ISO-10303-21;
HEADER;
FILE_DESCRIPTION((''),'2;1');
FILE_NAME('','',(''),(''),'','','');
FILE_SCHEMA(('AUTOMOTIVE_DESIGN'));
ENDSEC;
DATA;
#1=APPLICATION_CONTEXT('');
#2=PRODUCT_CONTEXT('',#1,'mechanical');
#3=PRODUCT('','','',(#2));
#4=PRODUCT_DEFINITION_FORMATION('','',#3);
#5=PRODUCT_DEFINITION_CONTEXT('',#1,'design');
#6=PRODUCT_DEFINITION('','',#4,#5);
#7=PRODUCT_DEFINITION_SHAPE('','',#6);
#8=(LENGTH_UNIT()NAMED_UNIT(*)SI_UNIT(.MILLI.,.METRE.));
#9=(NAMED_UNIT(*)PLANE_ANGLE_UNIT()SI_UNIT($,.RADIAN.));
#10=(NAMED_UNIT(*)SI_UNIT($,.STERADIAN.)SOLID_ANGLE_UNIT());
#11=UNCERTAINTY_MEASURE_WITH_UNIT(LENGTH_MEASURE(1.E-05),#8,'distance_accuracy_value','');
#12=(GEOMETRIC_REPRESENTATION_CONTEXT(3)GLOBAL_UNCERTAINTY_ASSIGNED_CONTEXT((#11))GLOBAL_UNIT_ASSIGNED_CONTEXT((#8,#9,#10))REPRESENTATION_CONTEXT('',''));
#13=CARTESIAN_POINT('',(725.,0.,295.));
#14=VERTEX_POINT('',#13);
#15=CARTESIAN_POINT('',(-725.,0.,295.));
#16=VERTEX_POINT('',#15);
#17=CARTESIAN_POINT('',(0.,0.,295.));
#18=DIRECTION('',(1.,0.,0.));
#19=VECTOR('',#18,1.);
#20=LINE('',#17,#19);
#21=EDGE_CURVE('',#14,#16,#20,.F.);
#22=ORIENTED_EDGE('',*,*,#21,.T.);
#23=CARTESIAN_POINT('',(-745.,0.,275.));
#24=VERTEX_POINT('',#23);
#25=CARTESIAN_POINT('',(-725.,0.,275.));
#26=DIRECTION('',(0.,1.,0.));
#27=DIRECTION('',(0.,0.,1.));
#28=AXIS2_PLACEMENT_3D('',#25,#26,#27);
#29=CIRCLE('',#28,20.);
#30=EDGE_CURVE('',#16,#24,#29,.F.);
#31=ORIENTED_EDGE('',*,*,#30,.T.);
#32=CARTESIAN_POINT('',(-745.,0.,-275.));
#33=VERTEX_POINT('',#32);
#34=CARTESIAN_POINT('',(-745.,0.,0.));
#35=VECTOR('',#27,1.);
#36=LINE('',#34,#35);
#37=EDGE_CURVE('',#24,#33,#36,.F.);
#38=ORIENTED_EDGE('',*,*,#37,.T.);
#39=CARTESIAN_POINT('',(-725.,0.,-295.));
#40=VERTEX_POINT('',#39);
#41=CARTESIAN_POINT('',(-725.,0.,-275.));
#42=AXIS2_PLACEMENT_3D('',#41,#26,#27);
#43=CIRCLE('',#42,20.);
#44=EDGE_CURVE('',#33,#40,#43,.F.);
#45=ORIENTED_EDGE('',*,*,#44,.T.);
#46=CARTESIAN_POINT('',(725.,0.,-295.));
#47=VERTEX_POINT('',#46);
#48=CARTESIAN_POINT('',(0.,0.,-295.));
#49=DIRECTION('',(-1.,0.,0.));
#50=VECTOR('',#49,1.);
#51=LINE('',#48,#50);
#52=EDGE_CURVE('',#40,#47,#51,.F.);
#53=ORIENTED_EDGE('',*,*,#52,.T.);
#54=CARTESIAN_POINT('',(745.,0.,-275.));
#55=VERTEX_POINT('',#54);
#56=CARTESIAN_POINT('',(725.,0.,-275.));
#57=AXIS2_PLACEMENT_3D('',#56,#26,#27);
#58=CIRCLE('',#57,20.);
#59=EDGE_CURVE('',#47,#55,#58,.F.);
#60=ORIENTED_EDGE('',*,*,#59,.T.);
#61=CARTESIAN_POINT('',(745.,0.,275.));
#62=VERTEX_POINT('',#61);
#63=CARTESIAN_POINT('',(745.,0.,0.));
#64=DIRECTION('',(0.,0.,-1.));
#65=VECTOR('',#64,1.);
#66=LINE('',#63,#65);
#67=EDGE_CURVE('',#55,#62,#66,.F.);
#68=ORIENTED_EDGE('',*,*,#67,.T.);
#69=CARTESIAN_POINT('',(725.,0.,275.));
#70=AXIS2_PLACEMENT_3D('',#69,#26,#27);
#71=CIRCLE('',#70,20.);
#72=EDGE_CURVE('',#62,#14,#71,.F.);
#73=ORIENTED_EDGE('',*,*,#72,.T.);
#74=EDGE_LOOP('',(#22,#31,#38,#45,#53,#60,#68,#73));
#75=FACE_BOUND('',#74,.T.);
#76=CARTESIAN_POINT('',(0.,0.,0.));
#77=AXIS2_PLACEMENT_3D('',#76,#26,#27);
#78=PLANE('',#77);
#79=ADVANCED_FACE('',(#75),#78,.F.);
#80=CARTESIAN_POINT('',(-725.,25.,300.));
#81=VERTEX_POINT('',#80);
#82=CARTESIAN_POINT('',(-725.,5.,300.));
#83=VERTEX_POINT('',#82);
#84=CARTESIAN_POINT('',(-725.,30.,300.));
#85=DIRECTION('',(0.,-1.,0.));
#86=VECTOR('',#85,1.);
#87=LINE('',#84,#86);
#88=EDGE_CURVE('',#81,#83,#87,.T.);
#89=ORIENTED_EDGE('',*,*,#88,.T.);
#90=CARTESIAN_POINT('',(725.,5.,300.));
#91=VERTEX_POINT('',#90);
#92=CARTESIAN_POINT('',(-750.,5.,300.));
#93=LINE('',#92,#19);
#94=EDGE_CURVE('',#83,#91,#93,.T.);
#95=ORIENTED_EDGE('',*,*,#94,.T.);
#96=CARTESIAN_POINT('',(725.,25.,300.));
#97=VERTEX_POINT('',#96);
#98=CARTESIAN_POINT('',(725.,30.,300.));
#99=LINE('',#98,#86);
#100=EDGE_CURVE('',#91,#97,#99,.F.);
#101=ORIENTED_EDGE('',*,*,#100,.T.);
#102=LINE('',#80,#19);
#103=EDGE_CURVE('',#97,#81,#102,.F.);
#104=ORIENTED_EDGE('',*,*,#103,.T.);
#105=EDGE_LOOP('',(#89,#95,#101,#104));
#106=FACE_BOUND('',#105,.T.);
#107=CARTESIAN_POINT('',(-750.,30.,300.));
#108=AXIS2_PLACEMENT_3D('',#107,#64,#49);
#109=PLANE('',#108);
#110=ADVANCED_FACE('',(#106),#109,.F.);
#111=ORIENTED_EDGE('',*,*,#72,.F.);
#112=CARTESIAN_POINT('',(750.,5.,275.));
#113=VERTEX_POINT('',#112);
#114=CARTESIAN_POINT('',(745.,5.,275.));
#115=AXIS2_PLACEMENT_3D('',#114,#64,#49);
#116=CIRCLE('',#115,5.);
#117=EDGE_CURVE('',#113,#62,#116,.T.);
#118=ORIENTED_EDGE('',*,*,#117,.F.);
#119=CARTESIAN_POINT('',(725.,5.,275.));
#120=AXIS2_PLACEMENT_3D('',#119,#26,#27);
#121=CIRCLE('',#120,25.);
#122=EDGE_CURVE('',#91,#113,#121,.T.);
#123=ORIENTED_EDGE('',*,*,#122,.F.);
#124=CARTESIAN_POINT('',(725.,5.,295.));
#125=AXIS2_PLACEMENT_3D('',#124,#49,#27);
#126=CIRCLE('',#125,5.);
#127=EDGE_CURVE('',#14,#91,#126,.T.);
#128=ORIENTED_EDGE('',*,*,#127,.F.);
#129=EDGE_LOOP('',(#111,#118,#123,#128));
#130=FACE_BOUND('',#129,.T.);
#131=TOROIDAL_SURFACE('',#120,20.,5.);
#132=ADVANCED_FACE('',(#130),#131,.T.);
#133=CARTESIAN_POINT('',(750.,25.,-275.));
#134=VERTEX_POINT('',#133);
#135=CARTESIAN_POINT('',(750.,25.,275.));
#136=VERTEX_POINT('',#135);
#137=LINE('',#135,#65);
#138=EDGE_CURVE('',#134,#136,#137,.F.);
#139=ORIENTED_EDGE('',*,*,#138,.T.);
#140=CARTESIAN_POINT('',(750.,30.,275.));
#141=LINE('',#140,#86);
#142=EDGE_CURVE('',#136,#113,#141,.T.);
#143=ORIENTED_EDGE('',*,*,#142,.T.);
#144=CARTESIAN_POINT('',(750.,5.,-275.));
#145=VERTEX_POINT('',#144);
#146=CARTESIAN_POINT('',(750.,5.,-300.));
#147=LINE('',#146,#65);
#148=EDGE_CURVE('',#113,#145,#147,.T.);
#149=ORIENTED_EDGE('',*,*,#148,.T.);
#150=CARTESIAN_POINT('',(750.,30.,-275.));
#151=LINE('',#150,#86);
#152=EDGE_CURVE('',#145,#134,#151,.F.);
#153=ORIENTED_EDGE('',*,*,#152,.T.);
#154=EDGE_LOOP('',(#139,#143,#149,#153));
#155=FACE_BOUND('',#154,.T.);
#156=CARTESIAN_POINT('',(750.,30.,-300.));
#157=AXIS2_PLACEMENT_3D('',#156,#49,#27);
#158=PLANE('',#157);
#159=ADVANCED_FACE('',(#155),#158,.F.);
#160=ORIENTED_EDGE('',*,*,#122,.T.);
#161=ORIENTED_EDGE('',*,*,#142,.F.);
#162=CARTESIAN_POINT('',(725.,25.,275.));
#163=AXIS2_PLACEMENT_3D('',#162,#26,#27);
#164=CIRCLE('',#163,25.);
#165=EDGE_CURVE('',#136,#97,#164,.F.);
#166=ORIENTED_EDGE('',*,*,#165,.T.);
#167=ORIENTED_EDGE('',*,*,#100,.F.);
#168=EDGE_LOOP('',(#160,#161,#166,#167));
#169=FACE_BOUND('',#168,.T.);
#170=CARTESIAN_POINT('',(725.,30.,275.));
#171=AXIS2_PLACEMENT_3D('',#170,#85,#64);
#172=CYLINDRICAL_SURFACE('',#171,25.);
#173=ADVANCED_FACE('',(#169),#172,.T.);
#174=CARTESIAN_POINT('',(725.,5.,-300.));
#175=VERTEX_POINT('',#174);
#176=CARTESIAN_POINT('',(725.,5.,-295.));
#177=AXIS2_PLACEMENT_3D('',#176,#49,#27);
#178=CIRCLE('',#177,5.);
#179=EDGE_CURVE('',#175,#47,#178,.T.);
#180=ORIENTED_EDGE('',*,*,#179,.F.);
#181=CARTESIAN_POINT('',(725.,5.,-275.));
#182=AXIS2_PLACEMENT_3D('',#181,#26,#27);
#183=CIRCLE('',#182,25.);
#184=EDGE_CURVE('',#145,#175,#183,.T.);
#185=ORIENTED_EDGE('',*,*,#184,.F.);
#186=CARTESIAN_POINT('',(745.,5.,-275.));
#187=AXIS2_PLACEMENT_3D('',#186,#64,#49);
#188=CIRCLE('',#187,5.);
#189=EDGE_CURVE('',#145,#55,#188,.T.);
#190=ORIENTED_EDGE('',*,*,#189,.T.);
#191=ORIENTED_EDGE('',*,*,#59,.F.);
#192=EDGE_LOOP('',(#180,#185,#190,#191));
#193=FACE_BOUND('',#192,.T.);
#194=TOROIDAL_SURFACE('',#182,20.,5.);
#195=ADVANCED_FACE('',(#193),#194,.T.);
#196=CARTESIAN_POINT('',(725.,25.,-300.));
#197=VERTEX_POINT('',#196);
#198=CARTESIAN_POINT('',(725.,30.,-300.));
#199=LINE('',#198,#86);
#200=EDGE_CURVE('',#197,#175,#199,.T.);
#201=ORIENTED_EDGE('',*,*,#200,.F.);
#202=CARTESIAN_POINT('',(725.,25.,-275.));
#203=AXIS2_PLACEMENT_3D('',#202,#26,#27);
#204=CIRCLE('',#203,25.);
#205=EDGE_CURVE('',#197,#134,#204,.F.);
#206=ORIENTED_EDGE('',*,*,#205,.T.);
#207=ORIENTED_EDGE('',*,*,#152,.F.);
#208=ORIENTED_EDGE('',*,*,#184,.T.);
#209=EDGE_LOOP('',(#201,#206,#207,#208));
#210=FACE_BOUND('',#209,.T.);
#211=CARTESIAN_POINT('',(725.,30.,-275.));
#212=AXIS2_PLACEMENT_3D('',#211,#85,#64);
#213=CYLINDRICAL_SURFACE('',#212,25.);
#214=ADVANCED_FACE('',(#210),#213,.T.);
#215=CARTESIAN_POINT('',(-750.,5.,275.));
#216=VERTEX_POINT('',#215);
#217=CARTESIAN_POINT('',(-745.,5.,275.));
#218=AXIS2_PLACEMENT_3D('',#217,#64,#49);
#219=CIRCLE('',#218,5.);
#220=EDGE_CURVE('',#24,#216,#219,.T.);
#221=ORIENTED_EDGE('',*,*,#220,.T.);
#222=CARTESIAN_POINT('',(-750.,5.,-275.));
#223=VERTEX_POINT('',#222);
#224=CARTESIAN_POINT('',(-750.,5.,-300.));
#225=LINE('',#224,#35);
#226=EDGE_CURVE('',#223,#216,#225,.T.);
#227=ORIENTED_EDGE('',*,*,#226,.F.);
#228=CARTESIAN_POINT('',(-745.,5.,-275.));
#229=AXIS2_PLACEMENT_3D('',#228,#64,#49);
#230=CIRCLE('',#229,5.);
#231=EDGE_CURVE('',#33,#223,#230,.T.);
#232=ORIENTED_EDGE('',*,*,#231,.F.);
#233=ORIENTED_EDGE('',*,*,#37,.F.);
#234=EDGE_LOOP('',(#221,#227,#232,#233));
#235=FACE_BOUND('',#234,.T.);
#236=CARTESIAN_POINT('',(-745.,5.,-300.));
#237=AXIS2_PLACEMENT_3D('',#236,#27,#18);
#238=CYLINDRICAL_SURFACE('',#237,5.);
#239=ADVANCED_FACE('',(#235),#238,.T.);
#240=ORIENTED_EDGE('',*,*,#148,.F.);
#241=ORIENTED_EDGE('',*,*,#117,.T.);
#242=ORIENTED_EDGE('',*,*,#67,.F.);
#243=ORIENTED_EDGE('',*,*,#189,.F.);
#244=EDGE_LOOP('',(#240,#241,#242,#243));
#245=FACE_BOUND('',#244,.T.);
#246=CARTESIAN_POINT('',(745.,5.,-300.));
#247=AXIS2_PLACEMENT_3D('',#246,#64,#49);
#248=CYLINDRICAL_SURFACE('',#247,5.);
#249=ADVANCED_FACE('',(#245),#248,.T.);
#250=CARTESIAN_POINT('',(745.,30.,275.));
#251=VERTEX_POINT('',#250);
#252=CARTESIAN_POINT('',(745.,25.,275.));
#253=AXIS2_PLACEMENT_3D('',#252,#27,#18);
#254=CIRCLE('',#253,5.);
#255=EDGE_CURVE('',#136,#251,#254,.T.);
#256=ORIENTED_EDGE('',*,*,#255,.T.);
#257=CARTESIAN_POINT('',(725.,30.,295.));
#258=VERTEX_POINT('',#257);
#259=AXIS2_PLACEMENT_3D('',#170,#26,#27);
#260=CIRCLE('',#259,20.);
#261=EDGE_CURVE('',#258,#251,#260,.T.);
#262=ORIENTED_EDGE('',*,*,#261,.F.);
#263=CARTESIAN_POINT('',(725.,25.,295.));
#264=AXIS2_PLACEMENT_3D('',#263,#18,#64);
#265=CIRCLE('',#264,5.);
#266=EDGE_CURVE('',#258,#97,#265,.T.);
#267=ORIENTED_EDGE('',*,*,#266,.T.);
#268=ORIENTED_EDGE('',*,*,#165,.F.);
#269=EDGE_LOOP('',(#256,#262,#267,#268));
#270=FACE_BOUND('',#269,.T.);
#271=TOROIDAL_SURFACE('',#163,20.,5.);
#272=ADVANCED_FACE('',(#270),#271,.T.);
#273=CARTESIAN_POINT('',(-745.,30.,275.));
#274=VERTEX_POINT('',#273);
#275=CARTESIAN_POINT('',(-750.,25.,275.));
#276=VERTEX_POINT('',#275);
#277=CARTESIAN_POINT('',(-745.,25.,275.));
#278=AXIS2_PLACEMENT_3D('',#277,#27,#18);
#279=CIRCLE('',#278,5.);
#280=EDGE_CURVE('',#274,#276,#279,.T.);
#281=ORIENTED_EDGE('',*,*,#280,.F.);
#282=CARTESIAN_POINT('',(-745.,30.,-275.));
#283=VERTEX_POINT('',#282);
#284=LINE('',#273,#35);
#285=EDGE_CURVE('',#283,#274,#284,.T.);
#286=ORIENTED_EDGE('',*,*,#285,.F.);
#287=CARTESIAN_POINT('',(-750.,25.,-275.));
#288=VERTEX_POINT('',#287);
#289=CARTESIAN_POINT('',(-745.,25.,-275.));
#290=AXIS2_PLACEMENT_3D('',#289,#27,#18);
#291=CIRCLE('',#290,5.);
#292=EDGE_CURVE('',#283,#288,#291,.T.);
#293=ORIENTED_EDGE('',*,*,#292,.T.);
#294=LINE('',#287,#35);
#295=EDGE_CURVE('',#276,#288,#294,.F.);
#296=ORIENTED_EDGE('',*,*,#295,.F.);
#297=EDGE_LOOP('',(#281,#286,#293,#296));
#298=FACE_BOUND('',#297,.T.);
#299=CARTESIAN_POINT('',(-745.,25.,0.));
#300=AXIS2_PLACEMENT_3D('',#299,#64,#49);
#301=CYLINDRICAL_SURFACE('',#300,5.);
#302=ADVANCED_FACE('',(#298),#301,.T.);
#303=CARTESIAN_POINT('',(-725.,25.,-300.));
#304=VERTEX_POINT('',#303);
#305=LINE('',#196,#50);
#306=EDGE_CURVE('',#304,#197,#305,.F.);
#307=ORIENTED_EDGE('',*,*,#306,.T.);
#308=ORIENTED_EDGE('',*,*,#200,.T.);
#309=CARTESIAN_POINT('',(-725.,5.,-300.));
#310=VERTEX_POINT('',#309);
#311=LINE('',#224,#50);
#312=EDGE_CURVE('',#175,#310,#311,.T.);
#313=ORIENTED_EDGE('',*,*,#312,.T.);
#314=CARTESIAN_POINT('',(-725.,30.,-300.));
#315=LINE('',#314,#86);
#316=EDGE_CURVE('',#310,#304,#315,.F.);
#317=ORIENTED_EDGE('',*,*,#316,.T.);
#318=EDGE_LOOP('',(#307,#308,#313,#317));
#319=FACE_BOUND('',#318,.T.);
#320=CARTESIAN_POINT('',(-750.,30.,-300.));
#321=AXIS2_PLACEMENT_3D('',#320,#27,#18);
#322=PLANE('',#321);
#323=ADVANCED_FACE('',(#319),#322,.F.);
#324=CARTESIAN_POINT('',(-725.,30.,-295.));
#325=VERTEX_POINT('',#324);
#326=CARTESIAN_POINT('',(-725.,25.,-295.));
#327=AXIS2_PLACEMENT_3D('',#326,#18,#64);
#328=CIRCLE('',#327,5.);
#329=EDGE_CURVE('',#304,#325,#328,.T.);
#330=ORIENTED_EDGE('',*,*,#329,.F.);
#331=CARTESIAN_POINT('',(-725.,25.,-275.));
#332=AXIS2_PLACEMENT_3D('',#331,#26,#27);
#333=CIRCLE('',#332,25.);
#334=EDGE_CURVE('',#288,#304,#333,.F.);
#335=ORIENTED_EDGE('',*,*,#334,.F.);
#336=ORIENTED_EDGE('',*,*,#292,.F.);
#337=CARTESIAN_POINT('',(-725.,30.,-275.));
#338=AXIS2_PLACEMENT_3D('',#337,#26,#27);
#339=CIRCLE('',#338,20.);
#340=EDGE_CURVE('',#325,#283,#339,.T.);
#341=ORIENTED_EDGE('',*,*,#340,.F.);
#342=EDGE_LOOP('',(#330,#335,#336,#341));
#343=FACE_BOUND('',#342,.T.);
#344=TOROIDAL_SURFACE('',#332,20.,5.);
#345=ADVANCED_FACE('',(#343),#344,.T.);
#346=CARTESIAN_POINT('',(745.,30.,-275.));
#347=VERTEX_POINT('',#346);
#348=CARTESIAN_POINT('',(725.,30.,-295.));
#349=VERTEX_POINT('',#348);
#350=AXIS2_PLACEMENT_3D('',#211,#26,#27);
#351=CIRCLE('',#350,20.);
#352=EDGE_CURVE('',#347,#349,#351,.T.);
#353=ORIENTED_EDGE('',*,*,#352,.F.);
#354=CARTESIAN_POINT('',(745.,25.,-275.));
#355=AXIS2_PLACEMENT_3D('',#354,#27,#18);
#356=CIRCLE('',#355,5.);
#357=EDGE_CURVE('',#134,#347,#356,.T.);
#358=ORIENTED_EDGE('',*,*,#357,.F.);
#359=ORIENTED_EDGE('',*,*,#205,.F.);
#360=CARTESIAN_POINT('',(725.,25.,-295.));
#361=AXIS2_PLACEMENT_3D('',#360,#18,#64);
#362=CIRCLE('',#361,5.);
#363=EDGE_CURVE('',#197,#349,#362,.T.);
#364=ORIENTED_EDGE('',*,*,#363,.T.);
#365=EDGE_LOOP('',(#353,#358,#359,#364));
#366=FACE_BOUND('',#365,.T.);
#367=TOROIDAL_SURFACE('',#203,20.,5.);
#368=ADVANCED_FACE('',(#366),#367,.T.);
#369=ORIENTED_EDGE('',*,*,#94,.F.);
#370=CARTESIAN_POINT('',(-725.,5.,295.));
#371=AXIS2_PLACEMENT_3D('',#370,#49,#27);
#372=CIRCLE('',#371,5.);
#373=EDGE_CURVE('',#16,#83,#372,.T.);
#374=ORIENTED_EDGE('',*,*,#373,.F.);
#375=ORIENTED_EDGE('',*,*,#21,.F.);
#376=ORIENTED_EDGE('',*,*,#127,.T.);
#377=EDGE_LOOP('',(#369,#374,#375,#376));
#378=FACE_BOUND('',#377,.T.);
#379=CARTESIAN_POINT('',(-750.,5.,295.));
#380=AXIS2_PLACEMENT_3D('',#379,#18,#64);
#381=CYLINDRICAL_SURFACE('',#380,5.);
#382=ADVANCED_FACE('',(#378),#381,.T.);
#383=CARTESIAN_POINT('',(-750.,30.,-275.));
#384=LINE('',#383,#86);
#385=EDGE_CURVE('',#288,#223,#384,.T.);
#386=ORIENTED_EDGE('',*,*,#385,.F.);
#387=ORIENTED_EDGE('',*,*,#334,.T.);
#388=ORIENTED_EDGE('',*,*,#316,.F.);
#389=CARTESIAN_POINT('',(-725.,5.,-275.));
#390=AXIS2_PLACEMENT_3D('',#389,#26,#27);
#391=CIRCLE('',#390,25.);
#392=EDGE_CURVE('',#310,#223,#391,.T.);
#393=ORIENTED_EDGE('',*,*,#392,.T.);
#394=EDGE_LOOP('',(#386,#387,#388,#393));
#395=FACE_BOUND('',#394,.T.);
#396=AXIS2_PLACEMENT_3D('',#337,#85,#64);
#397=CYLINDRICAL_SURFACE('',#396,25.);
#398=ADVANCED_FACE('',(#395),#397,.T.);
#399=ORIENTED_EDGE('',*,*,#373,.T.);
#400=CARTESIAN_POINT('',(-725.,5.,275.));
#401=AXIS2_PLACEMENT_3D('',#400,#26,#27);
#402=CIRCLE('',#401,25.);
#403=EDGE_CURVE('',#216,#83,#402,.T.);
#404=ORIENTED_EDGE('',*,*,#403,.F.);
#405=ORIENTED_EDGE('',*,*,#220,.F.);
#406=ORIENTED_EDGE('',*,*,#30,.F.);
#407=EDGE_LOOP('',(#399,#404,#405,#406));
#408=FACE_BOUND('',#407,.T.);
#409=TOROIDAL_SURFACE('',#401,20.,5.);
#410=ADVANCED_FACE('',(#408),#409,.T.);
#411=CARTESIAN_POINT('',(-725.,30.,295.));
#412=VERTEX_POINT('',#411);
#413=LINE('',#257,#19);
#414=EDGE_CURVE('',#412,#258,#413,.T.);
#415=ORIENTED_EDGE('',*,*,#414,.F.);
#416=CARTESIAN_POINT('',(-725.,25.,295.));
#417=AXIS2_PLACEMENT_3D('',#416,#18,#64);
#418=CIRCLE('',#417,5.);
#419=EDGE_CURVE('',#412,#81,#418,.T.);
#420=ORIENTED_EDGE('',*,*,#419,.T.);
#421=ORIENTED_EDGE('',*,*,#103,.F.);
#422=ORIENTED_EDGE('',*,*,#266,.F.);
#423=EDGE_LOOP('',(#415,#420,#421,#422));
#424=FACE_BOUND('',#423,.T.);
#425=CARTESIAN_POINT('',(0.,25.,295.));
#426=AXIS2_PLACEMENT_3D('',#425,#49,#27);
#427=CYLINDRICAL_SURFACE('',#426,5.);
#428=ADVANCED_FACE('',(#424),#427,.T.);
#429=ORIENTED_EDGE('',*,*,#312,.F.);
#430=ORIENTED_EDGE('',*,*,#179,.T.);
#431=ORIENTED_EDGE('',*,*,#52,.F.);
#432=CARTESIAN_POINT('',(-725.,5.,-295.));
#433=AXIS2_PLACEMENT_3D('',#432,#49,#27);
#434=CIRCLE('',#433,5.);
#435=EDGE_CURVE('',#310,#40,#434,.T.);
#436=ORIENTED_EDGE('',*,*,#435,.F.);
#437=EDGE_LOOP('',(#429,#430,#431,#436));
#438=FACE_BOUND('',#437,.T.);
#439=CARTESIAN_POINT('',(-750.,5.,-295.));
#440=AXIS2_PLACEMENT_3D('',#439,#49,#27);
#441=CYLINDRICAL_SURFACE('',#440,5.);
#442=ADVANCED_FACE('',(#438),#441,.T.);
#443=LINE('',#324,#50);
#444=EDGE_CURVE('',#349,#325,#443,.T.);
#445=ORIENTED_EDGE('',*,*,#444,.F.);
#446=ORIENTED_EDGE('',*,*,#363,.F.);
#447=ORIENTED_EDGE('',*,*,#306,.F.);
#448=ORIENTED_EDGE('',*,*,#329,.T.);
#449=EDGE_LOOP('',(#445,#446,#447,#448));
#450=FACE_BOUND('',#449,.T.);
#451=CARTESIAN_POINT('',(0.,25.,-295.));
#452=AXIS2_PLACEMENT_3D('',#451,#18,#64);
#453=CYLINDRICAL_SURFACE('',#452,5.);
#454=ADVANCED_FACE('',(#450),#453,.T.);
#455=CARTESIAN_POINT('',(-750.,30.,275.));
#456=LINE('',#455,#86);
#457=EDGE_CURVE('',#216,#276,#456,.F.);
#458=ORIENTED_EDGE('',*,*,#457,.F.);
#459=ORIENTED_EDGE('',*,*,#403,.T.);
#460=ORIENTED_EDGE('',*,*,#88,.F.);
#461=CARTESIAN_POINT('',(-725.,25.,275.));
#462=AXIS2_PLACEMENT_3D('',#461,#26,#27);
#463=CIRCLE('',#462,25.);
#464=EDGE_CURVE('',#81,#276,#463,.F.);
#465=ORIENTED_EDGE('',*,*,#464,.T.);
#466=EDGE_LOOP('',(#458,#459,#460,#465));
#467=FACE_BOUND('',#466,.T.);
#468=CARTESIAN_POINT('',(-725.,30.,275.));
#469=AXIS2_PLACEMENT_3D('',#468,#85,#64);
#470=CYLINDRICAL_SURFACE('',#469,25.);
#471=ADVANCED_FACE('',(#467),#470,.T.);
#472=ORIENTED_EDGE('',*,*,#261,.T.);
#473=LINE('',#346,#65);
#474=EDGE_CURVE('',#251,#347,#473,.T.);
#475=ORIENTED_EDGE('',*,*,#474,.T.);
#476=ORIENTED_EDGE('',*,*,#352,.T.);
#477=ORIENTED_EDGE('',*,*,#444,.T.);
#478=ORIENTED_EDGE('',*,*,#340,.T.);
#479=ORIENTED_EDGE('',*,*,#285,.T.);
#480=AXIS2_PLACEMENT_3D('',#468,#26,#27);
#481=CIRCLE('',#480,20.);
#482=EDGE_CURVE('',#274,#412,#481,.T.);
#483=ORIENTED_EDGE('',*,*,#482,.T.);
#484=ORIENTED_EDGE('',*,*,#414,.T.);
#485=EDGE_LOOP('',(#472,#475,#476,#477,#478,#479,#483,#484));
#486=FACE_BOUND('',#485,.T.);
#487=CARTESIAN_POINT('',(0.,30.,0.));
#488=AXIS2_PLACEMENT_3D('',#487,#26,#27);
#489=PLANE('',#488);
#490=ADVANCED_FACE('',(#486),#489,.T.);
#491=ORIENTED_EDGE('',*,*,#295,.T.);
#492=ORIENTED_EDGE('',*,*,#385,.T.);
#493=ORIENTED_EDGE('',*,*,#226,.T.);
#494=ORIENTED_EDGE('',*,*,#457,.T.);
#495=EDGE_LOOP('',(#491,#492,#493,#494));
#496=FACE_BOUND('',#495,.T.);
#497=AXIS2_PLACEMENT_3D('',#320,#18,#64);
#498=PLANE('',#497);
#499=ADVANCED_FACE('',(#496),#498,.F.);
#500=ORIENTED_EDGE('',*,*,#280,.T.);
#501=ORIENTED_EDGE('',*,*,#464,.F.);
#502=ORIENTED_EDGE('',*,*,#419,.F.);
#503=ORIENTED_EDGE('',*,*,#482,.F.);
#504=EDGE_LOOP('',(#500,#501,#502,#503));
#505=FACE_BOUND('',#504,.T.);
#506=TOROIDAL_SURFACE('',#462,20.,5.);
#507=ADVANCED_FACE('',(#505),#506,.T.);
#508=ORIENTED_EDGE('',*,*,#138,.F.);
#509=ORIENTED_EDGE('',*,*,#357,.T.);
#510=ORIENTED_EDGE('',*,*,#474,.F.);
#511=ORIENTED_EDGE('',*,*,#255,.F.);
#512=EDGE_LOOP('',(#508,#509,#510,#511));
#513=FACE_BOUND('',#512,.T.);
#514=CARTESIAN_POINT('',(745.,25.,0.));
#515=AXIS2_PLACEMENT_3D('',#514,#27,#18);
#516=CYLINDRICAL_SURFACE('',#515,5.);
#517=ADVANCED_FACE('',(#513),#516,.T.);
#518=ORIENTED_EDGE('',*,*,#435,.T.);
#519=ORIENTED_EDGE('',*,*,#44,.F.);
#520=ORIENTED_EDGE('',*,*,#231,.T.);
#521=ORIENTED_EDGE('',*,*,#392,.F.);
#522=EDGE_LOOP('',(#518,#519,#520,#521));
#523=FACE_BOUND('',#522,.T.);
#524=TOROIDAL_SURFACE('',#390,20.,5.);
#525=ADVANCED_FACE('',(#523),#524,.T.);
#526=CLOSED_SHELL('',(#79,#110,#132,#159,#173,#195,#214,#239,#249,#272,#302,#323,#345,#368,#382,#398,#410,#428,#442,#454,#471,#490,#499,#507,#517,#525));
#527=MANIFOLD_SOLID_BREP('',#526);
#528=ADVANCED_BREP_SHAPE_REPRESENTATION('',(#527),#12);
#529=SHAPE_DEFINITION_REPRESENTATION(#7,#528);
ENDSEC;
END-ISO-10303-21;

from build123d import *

# Parameters (mm, degrees)
SKETCH_1_W      = 1500
SKETCH_1_H      = 600
EXTRUDE_1_DEPTH = 30
FILLET_1_R      = 25
FILLET_2_R      = 5


with BuildPart() as part:
    # 草图1 → 凸台-拉伸1 (new body)
    with BuildSketch(Plane(origin=(0, 0, 0), x_dir=(1, 0, 0), z_dir=(0, 1, 0))):
        Rectangle(SKETCH_1_W, SKETCH_1_H)
    extrude(amount=EXTRUDE_1_DEPTH)

    # 圆角1
    fillet_1_edges = [part.edges().sort_by_distance(p)[0] for p in [
        (750, 15, 300),
        (-750, 15, 300),
        (-750, 15, -300),
        (750, 15, -300),
    ]]
    fillet(fillet_1_edges, radius=FILLET_1_R)

    # 圆角2
    fillet_2_edges = [part.edges().sort_by_distance(p)[0] for p in [
        (0, 0, -300),
        (0, 30, -300),
        (750, 0, 0),
        (0, 0, 300),
        (-750, 0, 0),
        (-742.67766953, 0, 292.67766953),
        (-742.67766953, 0, -292.67766953),
        (742.67766953, 0, 292.67766953),
        (742.67766953, 0, -292.67766953),
        (750, 30, 0),
        (-750, 30, 0),
        (0, 30, 300),
        (-742.67766953, 30, 292.67766953),
        (-742.67766953, 30, -292.67766953),
        (742.67766953, 30, 292.67766953),
        (742.67766953, 30, -292.67766953),
    ]]
    fillet(fillet_2_edges, radius=FILLET_2_R)


solid = part.part
